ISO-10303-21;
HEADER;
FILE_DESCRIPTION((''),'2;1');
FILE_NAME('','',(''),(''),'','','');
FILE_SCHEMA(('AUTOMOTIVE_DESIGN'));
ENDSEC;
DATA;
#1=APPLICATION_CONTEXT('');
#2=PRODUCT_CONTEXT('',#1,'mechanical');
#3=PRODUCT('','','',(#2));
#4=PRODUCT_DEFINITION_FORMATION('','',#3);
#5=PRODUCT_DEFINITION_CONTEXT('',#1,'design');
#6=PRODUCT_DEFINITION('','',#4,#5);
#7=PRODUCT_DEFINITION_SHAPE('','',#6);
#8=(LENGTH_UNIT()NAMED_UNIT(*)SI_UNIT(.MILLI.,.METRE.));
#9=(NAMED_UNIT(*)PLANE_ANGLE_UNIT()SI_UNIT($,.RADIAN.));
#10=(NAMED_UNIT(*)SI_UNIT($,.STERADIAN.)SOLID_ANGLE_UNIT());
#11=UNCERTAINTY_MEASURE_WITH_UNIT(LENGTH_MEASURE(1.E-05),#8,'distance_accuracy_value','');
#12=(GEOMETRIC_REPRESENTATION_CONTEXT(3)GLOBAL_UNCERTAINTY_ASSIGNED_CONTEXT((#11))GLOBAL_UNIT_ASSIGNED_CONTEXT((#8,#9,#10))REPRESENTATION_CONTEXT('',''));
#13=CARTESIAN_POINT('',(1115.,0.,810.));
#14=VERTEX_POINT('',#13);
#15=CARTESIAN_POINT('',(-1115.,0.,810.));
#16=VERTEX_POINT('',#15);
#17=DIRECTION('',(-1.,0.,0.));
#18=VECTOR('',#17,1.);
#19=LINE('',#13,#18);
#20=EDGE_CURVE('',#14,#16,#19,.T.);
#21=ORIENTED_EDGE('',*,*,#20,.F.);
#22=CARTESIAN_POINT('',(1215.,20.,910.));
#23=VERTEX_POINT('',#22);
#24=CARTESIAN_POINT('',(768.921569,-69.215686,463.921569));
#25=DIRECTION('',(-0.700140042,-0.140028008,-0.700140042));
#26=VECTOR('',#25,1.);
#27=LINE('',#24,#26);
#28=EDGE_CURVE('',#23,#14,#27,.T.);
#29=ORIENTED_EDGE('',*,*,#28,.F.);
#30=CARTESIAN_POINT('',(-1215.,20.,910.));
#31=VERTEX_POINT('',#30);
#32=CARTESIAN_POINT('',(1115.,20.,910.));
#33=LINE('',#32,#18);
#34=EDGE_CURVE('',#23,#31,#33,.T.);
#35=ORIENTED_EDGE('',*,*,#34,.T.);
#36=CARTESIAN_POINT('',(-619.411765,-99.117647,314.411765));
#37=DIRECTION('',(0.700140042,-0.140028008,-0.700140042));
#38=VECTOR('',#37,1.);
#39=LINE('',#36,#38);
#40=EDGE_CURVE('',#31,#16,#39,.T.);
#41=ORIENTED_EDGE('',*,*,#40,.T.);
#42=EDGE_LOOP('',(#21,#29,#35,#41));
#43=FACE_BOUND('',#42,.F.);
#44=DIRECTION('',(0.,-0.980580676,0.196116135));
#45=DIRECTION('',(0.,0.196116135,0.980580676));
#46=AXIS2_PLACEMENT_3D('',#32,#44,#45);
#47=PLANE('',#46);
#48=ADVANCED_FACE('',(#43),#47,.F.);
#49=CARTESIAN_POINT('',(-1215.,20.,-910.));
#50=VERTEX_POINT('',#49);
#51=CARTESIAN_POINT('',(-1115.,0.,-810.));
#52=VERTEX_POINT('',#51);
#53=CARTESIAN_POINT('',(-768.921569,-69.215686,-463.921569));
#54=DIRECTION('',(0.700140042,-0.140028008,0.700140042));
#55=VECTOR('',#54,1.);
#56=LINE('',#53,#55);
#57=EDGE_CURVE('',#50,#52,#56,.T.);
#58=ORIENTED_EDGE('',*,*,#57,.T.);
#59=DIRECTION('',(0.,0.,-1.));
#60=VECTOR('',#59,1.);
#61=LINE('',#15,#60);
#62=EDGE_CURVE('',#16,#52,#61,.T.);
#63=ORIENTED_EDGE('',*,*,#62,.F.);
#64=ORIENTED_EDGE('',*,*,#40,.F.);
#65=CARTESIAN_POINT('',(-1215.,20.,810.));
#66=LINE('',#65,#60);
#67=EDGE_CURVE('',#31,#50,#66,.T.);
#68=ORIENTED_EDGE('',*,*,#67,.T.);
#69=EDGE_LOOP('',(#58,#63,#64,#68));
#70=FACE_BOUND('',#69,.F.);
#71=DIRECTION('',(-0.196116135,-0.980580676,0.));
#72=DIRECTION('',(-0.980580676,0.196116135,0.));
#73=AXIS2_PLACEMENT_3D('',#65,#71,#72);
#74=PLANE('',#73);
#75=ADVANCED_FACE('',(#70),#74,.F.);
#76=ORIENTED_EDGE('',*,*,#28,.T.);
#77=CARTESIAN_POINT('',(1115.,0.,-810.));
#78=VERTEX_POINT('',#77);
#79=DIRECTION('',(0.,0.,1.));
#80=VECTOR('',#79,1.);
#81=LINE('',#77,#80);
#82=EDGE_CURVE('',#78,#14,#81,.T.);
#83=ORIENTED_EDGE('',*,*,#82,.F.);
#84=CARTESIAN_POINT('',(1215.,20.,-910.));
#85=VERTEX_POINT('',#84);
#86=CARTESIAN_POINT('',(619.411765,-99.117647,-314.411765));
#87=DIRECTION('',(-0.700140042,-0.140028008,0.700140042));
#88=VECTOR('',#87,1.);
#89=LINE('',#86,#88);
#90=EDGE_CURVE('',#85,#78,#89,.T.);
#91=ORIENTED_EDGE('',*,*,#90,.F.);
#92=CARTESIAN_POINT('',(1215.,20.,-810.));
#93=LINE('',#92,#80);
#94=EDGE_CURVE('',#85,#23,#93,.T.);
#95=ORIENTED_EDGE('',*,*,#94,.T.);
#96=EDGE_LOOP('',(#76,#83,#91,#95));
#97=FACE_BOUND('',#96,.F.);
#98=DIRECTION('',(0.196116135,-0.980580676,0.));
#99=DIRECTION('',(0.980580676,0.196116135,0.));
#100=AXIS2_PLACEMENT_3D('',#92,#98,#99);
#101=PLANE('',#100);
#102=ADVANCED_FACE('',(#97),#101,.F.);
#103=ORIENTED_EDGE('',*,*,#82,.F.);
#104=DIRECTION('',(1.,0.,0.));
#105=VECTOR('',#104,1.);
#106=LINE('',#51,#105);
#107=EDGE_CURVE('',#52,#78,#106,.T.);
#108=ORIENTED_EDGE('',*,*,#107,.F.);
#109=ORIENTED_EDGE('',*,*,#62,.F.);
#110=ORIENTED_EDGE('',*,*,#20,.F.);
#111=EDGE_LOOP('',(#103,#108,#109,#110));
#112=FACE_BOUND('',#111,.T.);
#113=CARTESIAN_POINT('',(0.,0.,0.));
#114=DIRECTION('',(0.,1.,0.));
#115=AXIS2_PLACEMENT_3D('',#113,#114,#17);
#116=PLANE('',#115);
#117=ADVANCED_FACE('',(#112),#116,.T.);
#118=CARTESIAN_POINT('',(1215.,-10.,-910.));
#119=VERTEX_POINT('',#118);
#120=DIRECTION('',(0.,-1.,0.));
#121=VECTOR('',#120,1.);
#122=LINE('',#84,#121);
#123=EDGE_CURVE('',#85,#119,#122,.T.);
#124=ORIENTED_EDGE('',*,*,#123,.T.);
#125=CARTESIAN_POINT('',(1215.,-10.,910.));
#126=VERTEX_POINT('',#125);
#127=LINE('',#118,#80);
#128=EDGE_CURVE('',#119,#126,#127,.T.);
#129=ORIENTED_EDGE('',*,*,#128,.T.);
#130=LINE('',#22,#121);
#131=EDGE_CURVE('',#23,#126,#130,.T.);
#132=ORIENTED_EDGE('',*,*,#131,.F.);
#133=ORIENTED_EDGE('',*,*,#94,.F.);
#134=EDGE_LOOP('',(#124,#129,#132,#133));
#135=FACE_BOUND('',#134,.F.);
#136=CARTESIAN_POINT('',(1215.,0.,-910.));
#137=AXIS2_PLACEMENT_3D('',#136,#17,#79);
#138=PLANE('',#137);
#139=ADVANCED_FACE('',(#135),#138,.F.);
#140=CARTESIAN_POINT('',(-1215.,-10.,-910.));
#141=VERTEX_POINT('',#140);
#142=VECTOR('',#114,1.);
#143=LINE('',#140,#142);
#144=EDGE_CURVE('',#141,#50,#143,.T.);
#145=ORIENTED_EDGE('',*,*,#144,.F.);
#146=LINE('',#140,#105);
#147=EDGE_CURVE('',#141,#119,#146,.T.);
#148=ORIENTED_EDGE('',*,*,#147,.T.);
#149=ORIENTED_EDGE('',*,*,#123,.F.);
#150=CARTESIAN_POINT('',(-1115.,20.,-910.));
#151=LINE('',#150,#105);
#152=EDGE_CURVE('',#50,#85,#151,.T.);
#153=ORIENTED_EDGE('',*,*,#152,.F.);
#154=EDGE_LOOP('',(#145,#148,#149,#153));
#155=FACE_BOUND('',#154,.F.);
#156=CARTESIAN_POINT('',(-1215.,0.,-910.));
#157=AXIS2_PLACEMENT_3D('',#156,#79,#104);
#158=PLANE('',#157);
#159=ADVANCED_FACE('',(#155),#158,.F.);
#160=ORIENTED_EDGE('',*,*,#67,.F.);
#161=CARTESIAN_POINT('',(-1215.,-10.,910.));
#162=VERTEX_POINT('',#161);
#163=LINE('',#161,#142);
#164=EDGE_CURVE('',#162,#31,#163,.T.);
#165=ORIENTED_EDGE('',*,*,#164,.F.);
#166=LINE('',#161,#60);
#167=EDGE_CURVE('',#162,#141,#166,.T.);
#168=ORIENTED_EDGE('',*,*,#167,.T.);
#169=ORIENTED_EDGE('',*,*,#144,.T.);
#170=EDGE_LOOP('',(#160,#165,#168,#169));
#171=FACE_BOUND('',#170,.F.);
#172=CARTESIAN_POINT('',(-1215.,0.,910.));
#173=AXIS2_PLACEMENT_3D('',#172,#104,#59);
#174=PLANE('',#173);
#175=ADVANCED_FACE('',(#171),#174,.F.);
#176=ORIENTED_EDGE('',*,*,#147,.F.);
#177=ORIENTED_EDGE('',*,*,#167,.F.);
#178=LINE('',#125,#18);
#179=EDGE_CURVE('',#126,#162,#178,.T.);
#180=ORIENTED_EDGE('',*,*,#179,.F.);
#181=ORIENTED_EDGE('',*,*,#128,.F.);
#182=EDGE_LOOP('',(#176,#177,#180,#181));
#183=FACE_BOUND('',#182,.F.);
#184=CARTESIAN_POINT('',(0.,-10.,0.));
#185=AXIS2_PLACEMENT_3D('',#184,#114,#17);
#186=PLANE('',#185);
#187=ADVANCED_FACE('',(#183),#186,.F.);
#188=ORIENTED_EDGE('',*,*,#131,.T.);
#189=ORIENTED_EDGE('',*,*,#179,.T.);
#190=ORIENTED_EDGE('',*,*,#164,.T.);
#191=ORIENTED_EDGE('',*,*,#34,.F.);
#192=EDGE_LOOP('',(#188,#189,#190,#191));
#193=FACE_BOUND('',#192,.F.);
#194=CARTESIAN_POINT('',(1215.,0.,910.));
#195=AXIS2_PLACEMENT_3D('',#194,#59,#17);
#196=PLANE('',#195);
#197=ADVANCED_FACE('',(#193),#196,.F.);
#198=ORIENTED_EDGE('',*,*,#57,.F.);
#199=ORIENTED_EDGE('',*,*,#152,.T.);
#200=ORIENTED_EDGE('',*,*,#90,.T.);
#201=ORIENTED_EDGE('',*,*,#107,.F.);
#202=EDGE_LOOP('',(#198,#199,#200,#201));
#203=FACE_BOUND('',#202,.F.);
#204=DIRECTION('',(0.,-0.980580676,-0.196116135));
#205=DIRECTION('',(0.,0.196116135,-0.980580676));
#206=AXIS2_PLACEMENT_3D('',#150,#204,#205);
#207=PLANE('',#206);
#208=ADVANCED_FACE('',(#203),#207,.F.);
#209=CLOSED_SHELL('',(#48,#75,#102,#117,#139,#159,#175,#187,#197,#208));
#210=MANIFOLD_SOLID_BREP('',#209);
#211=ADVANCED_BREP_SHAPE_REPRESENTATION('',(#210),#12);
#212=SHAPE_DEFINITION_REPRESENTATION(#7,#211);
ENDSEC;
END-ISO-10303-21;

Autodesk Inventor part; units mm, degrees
ref_plane "YZ Plane" through (0, 0, 0) normal (1, 0, 0) x (0, 1, 0)
ref_plane "XZ Plane" through (0, 0, 0) normal (0, 1, 0) x (-1, 0, 0)
ref_plane "XY Plane" through (0, 0, 0) normal (0, 0, 1) x (1, 0, 0)
sketch "Эскиз2" plane through (0, 0, 0) normal (0, 1, 0) x (-1, 0, 0)
  line L0 (1215, -910) -> (-1215, -910)
  line L1 (-1215, -910) -> (-1215, 910)
  line L2 (-1215, 910) -> (1215, 910)
  line L3 (1215, 910) -> (1215, -910)
  line L4 (0, -910) -> (0, 910) construction
  line L5 (1215, 0) -> (-1215, 0) construction
  point P0 (0, 0)
  point P1 (0, 0)
  dimension "d14" = 2430
  dimension "d15" = 1820
extrude "Выдавливание2" add sketch "Эскиз2" against normal blind 10
sketch "Эскиз3" plane through (0, 0, 0) normal (0, 1, 0) x (-1, 0, 0)
  line L0 (-1215, 910) -> (-1215, -910) projected
  line L1 (-1215, -910) -> (1215, -910) projected
  line L2 (1215, -910) -> (1215, 910) projected
  line L3 (1215, 910) -> (-1215, 910) projected
  line L4 (1235, -930) -> (-1235, -930)
  line L5 (-1235, -930) -> (-1235, 930)
  line L6 (-1235, 930) -> (1235, 930)
  line L7 (1235, 930) -> (1235, -930)
  line L8 (1115, -810) -> (-1115, -810)
  line L9 (-1115, -810) -> (-1115, 810)
  line L10 (-1115, 810) -> (1115, 810)
  line L11 (1115, 810) -> (1115, -810)
  dimension "d22" = 20
  dimension "d23" = 100
sketch "Эскиз5" plane through (0, 0, 0) normal (0, 0, 1) x (1, 0, 0)
  line L0 (-1215, 0) -> (-1215, 220) projected
  line L1 (-1215, 0) -> (-1215, 20)
  line L2 (-1215, 20) -> (-1115, 0)
  line L3 (1215, 0) -> (-1215, 0) projected
  line L4 (-1115, 0) -> (-1215, 0)
  point P0 (0, 0)
  dimension "d30" = 20
sweep "Сдвиг1" add profiles "Эскиз5" path "Эскиз3" path curves L9 L8 L11 L10
properties part number "Main" material "Пластик АБС"
